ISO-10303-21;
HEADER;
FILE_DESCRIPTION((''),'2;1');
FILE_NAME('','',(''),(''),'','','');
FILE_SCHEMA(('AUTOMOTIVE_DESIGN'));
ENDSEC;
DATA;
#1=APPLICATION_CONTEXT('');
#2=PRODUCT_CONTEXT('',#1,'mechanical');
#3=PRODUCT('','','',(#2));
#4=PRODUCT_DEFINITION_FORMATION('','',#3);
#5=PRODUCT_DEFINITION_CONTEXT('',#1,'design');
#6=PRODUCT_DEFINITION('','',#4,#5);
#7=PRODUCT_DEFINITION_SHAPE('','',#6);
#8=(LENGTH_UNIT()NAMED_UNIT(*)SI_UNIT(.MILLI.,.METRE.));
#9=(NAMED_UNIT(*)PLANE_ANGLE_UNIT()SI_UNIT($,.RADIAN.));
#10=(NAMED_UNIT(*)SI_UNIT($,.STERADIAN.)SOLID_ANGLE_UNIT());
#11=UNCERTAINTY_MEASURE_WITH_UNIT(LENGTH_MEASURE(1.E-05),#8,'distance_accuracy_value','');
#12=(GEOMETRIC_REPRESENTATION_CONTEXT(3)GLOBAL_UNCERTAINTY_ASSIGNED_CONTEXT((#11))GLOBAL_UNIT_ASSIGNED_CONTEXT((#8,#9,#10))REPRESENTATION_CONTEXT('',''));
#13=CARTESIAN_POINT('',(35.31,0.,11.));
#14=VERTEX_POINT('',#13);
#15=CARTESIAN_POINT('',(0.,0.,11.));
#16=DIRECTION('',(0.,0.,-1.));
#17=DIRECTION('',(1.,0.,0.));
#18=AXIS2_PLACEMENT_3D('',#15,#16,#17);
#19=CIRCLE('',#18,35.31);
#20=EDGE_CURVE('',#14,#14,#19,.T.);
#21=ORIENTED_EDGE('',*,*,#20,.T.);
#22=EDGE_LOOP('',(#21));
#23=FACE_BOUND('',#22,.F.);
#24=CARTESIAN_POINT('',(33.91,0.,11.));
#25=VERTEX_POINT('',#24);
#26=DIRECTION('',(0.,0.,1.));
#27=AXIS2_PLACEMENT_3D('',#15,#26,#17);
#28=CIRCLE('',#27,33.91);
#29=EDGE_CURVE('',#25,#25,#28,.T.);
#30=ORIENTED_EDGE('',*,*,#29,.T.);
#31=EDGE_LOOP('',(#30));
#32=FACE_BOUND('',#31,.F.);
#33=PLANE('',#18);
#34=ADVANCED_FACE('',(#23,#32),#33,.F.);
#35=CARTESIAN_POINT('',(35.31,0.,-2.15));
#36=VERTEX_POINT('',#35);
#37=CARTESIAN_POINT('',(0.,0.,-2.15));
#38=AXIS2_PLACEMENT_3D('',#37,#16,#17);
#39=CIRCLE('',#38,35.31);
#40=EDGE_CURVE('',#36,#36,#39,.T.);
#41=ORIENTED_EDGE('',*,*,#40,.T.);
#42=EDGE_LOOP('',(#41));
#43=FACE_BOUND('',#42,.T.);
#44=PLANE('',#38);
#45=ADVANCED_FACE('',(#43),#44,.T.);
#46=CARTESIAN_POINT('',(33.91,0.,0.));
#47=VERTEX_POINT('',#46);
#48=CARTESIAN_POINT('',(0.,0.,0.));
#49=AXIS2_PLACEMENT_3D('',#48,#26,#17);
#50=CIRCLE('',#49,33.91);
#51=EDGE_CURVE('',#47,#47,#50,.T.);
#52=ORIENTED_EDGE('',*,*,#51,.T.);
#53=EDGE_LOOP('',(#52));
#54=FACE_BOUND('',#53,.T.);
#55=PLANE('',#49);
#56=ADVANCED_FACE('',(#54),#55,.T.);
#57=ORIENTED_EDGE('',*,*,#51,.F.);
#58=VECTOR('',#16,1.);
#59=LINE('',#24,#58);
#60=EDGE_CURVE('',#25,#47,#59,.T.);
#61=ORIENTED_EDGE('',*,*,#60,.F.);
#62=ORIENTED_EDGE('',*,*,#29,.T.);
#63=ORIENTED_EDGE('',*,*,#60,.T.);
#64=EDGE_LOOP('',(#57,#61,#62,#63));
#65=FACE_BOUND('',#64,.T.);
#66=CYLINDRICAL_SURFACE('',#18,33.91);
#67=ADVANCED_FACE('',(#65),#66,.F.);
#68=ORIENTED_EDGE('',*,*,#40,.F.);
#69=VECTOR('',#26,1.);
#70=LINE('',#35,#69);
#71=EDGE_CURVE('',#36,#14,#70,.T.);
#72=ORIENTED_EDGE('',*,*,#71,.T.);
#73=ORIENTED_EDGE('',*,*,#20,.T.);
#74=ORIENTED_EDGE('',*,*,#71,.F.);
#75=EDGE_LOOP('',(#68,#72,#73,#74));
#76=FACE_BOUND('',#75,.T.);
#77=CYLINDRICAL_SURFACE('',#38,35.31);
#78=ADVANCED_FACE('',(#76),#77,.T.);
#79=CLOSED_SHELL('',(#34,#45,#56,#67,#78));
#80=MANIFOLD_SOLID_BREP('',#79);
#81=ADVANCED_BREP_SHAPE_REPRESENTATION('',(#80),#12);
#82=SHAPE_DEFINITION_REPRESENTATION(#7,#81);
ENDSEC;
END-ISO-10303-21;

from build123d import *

# Parameters (mm, degrees)
F2_R     = 35.31
F2_R_2   = 34.91
F3_DEPTH = 13.15


with BuildPart() as f1:
    # F0 (on Front) → F1 (revolve)
    with BuildSketch(Plane.XZ):
        Polygon((33.91, 11), (33.91, 0), (0, 0), (0, -2.15), (34.91, -2.15), (34.91, 11), align=None)
    revolve(axis=Axis((0, 0, 9.921602), (0, 0, 1)))

    # F2 (on face) → F3 (join, through all)
    with BuildSketch(Plane(origin=(0, 0, -2.15), x_dir=(1, 0, 0), z_dir=(0, 0, -1))):
        Circle(F2_R)
        Circle(F2_R_2, mode=Mode.SUBTRACT)
    extrude(amount=-F3_DEPTH)


solid = f1.part
